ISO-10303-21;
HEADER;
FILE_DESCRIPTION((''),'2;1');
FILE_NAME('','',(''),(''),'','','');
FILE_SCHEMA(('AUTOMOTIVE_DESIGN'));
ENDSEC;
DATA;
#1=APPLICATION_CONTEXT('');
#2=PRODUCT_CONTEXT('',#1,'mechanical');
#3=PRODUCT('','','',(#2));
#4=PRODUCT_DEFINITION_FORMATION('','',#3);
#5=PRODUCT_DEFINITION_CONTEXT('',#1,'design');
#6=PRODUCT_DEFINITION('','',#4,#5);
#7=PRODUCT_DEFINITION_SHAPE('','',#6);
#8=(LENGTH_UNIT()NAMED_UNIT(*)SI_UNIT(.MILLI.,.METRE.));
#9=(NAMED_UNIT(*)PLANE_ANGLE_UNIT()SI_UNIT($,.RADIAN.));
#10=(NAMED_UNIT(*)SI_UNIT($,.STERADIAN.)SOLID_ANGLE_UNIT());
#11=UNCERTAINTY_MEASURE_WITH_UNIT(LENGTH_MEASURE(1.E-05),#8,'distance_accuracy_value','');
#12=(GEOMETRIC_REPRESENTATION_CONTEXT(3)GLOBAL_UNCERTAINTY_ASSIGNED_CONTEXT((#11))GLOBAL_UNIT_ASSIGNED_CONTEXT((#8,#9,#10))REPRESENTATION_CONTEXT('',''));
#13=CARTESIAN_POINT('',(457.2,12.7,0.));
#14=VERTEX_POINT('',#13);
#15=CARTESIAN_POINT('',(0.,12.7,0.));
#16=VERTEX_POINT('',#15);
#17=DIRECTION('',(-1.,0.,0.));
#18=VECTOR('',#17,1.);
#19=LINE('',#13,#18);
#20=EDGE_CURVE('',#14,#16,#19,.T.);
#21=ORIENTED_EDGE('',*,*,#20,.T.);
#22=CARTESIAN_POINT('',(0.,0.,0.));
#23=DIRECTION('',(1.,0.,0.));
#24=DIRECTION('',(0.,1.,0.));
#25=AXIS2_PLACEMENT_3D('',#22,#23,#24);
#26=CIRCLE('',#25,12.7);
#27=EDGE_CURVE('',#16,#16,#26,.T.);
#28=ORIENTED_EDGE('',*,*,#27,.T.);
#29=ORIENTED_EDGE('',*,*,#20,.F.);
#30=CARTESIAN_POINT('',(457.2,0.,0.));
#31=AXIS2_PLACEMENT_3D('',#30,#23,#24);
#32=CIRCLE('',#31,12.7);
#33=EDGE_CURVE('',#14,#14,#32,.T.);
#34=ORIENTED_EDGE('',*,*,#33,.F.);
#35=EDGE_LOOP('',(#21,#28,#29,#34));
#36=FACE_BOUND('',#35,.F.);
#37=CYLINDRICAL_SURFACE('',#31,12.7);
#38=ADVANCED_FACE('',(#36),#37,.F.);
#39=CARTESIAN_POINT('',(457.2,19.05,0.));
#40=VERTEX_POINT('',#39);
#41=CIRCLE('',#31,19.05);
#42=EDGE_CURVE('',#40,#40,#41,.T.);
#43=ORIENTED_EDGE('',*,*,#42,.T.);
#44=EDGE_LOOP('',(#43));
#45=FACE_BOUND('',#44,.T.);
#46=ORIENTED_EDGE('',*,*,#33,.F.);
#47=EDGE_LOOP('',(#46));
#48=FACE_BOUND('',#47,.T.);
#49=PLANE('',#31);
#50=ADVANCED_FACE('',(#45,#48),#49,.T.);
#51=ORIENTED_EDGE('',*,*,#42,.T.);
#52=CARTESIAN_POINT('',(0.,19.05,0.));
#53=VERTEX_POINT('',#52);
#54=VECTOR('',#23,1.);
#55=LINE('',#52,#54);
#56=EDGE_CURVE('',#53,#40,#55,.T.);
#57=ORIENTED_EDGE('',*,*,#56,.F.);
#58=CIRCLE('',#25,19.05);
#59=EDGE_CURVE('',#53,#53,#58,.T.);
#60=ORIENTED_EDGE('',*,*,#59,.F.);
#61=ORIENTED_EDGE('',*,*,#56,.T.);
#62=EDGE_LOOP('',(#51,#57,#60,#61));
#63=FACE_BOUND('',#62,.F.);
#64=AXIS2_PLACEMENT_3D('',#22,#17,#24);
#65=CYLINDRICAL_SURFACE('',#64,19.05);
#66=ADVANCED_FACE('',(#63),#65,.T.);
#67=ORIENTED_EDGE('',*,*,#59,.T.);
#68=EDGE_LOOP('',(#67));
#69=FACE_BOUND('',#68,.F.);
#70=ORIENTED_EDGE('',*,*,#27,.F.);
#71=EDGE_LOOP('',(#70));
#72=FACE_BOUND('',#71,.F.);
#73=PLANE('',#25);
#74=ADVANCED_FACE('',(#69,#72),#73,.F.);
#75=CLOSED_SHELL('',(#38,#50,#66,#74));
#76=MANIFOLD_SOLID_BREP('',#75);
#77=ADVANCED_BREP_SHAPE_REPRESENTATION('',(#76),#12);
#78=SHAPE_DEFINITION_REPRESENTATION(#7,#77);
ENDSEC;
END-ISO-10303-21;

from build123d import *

# Parameters (mm, degrees)
F0_R     = 19.05
F1_DEPTH = 457.2
F2_R     = 12.7
F3_DEPTH = 457.201


with BuildPart() as f1:
    # F0 (on Right) → F1 (new body)
    with BuildSketch(Plane.YZ):
        Circle(F0_R)
    extrude(amount=F1_DEPTH)

    # F2 (on face) → F3 (cut, through all)
    with BuildSketch(Plane.YZ.offset(457.2)):
        Circle(F2_R)
    extrude(amount=-F3_DEPTH, mode=Mode.SUBTRACT)


solid = f1.part
